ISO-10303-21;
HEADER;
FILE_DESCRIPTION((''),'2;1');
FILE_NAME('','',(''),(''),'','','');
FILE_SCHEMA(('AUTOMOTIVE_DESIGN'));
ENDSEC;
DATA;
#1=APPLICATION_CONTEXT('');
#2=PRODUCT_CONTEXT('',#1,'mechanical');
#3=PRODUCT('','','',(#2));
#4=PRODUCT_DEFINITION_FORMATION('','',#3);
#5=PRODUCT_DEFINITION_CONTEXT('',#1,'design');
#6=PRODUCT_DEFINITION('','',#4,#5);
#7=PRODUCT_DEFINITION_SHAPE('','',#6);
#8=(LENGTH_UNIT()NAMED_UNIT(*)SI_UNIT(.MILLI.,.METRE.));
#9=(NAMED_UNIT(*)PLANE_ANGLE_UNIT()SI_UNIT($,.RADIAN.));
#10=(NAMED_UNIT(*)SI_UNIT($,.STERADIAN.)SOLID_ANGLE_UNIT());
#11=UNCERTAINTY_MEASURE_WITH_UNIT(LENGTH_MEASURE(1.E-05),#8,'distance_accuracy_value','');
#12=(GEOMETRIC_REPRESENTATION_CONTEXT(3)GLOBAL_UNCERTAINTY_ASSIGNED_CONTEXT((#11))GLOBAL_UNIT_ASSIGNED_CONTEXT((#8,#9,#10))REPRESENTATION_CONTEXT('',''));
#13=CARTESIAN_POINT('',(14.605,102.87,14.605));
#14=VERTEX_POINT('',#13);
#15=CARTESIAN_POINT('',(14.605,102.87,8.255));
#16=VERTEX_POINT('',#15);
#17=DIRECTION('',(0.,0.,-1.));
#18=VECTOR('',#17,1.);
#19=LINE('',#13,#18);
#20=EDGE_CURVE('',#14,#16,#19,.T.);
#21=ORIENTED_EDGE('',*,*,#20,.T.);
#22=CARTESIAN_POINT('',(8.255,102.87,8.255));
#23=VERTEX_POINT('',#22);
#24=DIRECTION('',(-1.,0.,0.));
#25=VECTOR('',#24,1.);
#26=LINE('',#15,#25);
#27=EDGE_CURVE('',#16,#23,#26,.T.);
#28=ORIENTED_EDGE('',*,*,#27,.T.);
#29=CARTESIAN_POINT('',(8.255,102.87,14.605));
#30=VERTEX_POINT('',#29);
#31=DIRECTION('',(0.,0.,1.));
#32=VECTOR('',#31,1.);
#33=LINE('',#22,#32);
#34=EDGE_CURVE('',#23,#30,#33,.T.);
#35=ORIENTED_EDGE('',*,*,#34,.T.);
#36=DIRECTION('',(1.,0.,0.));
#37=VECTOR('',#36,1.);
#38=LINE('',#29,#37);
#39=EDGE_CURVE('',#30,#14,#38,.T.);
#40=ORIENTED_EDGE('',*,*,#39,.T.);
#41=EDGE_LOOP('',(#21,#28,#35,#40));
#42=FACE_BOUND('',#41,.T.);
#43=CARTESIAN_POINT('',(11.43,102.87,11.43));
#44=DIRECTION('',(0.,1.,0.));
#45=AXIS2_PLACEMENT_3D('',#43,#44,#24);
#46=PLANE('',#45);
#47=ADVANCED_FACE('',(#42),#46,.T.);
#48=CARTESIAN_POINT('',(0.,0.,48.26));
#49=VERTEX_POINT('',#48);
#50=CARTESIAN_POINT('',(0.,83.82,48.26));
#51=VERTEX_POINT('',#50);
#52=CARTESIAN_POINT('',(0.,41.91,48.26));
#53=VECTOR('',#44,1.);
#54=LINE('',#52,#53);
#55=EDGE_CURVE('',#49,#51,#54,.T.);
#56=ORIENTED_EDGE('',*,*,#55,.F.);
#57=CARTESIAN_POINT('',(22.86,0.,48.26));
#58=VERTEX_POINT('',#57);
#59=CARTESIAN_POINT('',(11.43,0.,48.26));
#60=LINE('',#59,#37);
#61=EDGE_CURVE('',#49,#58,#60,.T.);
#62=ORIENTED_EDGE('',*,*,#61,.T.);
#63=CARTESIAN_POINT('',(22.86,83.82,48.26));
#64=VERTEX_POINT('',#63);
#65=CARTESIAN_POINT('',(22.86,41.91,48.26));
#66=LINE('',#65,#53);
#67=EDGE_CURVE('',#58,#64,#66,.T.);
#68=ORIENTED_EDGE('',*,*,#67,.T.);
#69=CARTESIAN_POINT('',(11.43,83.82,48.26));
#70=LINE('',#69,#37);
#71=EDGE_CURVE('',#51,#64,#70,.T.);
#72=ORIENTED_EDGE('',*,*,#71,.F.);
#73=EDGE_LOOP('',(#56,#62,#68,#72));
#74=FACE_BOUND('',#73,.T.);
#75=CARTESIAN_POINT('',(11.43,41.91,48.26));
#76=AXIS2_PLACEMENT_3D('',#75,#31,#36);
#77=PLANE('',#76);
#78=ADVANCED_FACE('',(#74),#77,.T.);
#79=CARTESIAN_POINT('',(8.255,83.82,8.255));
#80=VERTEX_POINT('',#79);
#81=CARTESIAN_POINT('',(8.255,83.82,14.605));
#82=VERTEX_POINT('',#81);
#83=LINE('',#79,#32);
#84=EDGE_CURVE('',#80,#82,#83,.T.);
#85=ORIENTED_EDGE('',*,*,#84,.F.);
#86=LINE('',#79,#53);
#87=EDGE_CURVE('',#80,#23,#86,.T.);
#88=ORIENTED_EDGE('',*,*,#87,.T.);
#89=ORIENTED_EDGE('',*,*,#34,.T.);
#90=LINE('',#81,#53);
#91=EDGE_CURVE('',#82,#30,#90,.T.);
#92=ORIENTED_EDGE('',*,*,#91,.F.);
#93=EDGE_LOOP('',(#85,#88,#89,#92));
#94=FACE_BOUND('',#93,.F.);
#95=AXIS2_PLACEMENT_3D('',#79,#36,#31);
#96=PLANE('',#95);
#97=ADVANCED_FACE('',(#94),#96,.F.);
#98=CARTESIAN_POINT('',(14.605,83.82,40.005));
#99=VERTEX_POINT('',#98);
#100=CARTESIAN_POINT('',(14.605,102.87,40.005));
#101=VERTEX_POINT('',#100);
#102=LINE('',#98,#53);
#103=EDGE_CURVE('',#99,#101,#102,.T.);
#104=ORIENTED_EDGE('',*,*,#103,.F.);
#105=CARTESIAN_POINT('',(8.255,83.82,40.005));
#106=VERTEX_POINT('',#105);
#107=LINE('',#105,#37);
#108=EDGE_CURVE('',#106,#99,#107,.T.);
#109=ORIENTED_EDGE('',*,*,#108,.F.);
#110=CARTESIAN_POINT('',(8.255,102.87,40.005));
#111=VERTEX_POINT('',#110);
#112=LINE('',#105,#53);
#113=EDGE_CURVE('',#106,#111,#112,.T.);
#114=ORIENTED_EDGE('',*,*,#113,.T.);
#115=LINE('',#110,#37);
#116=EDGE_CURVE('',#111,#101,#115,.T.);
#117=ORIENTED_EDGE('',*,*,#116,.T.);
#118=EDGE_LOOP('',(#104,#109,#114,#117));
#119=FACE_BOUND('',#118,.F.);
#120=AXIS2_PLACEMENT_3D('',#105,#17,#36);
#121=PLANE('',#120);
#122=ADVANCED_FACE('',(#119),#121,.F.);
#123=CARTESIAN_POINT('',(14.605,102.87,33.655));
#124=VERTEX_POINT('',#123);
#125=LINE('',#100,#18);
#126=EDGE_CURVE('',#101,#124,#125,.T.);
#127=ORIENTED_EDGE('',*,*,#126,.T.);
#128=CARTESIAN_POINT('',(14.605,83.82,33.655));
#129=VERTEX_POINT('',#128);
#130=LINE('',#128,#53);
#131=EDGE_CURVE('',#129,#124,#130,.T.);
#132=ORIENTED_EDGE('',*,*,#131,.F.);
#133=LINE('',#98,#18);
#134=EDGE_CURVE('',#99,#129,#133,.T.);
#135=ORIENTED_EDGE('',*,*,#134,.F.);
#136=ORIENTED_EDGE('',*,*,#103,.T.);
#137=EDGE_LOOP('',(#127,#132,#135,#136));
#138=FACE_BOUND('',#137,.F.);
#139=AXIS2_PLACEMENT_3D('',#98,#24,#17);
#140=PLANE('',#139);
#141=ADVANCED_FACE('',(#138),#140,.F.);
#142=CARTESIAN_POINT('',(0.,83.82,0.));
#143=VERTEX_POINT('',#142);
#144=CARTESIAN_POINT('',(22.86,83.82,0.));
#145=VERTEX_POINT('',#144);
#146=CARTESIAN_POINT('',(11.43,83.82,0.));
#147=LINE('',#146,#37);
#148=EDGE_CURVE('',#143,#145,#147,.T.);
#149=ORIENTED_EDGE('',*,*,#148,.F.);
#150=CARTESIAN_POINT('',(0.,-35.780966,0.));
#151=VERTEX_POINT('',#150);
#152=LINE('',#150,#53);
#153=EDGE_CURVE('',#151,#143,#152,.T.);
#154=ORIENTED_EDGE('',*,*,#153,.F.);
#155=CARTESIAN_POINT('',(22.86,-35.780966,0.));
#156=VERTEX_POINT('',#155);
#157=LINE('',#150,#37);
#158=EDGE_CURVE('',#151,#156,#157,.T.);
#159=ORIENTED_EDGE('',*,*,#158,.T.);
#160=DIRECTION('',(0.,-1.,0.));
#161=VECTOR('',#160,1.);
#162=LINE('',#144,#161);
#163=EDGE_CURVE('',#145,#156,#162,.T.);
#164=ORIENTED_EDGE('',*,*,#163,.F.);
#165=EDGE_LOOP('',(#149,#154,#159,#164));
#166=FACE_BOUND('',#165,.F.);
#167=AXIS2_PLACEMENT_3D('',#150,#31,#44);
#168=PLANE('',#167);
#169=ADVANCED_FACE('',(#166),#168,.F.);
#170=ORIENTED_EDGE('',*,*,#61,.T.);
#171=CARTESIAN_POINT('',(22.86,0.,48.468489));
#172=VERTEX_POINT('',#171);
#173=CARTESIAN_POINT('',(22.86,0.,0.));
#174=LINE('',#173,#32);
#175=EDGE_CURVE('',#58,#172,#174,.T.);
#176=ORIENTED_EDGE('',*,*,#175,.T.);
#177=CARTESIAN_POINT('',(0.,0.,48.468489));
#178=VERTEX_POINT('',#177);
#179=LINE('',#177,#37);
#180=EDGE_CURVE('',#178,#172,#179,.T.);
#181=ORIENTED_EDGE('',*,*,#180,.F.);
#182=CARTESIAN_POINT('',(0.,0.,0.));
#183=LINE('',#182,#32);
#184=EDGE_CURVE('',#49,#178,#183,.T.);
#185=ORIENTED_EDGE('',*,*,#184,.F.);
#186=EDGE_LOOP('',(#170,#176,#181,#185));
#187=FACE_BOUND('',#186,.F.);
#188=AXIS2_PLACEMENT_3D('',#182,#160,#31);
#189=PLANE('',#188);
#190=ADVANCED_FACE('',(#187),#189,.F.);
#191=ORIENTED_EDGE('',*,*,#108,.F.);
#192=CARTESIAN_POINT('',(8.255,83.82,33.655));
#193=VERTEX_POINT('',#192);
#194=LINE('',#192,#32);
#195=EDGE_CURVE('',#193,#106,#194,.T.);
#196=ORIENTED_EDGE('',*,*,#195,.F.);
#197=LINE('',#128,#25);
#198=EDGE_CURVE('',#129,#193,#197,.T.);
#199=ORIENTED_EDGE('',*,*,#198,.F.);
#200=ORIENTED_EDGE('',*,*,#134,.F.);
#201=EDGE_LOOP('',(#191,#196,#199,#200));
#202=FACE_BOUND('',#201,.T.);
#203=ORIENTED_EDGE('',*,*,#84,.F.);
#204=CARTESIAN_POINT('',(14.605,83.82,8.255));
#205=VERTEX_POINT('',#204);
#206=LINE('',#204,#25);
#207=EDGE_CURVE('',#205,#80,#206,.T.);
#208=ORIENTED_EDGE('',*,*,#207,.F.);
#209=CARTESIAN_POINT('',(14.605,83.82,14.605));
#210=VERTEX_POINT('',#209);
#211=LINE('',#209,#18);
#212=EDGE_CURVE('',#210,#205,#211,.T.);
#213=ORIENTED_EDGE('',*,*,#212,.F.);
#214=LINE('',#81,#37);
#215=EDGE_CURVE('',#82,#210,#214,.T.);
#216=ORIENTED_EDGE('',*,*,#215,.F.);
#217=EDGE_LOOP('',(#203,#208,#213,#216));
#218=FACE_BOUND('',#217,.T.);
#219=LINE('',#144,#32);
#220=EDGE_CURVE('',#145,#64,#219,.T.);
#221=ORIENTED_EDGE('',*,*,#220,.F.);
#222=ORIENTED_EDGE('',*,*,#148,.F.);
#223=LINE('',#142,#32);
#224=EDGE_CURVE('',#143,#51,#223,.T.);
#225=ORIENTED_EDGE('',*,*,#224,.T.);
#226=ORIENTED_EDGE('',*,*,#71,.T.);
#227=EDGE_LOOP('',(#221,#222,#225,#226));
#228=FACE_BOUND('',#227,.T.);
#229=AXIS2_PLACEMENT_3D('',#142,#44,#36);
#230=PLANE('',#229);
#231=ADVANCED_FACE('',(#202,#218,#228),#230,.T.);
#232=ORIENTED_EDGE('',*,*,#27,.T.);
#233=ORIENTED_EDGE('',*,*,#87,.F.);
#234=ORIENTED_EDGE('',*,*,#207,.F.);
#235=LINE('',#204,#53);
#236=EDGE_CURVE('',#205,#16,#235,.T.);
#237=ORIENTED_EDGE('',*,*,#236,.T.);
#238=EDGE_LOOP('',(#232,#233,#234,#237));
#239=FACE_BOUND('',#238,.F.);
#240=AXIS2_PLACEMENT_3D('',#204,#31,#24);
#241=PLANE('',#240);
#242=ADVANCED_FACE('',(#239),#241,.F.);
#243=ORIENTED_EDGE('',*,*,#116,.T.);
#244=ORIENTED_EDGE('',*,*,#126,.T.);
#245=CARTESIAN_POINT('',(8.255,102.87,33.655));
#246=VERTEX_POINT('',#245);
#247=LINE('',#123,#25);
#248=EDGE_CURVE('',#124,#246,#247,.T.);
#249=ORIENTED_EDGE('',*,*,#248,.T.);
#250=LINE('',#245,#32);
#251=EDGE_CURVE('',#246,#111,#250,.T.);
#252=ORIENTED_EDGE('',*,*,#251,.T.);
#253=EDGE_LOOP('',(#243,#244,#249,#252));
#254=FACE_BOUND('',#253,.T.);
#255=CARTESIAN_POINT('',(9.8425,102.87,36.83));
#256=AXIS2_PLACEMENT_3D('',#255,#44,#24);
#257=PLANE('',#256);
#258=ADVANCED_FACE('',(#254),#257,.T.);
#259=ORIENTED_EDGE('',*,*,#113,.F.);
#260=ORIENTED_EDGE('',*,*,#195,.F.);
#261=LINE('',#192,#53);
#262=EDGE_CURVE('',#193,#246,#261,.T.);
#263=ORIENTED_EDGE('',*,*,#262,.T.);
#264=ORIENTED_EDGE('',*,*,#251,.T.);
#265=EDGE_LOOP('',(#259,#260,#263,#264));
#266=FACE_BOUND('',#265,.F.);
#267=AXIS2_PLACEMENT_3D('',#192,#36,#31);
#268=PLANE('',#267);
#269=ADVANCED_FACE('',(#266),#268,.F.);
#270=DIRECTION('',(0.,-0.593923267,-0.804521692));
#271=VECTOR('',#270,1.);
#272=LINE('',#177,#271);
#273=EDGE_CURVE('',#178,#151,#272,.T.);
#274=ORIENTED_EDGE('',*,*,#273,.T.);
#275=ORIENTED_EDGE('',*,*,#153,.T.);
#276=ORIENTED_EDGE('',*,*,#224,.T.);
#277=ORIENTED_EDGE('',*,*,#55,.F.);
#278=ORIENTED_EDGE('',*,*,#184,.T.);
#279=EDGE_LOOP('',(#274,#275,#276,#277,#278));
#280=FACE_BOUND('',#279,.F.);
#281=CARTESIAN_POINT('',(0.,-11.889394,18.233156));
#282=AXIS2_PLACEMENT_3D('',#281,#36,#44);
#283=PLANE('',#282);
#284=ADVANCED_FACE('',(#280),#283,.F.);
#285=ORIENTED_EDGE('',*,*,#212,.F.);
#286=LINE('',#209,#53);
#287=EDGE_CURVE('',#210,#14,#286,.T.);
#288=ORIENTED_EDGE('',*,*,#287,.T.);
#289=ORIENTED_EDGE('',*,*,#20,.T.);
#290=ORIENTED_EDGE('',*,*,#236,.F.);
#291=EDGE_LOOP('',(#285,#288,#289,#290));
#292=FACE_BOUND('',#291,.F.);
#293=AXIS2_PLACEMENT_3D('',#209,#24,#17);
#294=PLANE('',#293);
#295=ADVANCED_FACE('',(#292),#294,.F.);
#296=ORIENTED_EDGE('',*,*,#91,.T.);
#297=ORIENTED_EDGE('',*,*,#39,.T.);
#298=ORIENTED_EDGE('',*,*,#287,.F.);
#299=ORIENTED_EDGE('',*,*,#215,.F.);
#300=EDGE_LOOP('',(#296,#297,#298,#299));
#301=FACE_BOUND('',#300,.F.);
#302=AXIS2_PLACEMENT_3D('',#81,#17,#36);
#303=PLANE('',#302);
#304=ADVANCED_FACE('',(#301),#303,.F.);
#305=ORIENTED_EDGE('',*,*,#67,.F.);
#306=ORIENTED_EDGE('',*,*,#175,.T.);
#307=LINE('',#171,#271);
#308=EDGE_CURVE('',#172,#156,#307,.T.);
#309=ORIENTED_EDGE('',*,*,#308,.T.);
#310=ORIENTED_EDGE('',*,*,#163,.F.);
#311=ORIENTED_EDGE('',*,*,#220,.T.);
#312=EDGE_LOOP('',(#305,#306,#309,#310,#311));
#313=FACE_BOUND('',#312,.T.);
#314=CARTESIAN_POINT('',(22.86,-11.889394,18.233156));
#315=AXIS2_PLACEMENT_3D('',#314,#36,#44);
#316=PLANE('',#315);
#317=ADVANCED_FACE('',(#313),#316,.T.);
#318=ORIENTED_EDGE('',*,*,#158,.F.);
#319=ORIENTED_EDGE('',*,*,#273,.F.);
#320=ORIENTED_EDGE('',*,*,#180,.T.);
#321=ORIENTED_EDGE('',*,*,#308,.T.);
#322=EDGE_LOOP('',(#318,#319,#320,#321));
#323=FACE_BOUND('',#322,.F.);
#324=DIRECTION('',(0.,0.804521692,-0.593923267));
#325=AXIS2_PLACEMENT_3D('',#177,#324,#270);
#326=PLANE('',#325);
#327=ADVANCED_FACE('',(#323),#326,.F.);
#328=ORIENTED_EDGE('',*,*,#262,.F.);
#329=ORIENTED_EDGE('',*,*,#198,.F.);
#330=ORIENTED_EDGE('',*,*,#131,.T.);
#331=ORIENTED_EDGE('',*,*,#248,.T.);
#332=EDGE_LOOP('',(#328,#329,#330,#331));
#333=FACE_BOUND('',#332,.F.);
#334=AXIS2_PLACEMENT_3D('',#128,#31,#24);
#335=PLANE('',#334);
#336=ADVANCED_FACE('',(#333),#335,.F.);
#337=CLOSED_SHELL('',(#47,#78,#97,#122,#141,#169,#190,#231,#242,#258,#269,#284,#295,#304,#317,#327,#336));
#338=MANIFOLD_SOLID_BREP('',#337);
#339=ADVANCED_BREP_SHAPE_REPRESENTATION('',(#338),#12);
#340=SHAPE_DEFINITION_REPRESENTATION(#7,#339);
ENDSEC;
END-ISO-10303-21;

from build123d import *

# Parameters (mm, degrees)
F0_W     = 22.86
F0_H     = 83.82
F1_DEPTH = 48.26
F3_DEPTH = 19.05
F5_DEPTH = 22.86


with BuildPart() as f1:
    # F0 (on Top) → F1 (new body)
    with BuildSketch(Plane.XY):
        with Locations((11.43, 41.91)):
            Rectangle(F0_W, F0_H)
    extrude(amount=F1_DEPTH)

    # F2 (on face) → F3 (join)
    with BuildSketch(Plane(origin=(0, 83.82, 0), x_dir=(-1, 0, 0), z_dir=(0, 1, 0))):
        Polygon((-8.255, 40.005), (-11.43, 40.005), (-11.43, 36.83), (-11.43, 33.655), (-8.255, 33.655), align=None)
        Polygon((-8.255, 14.605), (-11.43, 14.605), (-14.605, 14.605), (-14.605, 8.255), (-8.255, 8.255), align=None)
        Polygon((-11.43, 36.83), (-11.43, 40.005), (-14.605, 40.005), (-14.605, 33.655), (-11.43, 33.655), align=None)
    extrude(amount=F3_DEPTH)

    # F4 (on Right) → F5 (join)
    with BuildSketch(Plane.YZ):
        Polygon((-35.780966, 0), (0, 0), (0, 48.468489), align=None)
    extrude(amount=F5_DEPTH)


solid = f1.part
